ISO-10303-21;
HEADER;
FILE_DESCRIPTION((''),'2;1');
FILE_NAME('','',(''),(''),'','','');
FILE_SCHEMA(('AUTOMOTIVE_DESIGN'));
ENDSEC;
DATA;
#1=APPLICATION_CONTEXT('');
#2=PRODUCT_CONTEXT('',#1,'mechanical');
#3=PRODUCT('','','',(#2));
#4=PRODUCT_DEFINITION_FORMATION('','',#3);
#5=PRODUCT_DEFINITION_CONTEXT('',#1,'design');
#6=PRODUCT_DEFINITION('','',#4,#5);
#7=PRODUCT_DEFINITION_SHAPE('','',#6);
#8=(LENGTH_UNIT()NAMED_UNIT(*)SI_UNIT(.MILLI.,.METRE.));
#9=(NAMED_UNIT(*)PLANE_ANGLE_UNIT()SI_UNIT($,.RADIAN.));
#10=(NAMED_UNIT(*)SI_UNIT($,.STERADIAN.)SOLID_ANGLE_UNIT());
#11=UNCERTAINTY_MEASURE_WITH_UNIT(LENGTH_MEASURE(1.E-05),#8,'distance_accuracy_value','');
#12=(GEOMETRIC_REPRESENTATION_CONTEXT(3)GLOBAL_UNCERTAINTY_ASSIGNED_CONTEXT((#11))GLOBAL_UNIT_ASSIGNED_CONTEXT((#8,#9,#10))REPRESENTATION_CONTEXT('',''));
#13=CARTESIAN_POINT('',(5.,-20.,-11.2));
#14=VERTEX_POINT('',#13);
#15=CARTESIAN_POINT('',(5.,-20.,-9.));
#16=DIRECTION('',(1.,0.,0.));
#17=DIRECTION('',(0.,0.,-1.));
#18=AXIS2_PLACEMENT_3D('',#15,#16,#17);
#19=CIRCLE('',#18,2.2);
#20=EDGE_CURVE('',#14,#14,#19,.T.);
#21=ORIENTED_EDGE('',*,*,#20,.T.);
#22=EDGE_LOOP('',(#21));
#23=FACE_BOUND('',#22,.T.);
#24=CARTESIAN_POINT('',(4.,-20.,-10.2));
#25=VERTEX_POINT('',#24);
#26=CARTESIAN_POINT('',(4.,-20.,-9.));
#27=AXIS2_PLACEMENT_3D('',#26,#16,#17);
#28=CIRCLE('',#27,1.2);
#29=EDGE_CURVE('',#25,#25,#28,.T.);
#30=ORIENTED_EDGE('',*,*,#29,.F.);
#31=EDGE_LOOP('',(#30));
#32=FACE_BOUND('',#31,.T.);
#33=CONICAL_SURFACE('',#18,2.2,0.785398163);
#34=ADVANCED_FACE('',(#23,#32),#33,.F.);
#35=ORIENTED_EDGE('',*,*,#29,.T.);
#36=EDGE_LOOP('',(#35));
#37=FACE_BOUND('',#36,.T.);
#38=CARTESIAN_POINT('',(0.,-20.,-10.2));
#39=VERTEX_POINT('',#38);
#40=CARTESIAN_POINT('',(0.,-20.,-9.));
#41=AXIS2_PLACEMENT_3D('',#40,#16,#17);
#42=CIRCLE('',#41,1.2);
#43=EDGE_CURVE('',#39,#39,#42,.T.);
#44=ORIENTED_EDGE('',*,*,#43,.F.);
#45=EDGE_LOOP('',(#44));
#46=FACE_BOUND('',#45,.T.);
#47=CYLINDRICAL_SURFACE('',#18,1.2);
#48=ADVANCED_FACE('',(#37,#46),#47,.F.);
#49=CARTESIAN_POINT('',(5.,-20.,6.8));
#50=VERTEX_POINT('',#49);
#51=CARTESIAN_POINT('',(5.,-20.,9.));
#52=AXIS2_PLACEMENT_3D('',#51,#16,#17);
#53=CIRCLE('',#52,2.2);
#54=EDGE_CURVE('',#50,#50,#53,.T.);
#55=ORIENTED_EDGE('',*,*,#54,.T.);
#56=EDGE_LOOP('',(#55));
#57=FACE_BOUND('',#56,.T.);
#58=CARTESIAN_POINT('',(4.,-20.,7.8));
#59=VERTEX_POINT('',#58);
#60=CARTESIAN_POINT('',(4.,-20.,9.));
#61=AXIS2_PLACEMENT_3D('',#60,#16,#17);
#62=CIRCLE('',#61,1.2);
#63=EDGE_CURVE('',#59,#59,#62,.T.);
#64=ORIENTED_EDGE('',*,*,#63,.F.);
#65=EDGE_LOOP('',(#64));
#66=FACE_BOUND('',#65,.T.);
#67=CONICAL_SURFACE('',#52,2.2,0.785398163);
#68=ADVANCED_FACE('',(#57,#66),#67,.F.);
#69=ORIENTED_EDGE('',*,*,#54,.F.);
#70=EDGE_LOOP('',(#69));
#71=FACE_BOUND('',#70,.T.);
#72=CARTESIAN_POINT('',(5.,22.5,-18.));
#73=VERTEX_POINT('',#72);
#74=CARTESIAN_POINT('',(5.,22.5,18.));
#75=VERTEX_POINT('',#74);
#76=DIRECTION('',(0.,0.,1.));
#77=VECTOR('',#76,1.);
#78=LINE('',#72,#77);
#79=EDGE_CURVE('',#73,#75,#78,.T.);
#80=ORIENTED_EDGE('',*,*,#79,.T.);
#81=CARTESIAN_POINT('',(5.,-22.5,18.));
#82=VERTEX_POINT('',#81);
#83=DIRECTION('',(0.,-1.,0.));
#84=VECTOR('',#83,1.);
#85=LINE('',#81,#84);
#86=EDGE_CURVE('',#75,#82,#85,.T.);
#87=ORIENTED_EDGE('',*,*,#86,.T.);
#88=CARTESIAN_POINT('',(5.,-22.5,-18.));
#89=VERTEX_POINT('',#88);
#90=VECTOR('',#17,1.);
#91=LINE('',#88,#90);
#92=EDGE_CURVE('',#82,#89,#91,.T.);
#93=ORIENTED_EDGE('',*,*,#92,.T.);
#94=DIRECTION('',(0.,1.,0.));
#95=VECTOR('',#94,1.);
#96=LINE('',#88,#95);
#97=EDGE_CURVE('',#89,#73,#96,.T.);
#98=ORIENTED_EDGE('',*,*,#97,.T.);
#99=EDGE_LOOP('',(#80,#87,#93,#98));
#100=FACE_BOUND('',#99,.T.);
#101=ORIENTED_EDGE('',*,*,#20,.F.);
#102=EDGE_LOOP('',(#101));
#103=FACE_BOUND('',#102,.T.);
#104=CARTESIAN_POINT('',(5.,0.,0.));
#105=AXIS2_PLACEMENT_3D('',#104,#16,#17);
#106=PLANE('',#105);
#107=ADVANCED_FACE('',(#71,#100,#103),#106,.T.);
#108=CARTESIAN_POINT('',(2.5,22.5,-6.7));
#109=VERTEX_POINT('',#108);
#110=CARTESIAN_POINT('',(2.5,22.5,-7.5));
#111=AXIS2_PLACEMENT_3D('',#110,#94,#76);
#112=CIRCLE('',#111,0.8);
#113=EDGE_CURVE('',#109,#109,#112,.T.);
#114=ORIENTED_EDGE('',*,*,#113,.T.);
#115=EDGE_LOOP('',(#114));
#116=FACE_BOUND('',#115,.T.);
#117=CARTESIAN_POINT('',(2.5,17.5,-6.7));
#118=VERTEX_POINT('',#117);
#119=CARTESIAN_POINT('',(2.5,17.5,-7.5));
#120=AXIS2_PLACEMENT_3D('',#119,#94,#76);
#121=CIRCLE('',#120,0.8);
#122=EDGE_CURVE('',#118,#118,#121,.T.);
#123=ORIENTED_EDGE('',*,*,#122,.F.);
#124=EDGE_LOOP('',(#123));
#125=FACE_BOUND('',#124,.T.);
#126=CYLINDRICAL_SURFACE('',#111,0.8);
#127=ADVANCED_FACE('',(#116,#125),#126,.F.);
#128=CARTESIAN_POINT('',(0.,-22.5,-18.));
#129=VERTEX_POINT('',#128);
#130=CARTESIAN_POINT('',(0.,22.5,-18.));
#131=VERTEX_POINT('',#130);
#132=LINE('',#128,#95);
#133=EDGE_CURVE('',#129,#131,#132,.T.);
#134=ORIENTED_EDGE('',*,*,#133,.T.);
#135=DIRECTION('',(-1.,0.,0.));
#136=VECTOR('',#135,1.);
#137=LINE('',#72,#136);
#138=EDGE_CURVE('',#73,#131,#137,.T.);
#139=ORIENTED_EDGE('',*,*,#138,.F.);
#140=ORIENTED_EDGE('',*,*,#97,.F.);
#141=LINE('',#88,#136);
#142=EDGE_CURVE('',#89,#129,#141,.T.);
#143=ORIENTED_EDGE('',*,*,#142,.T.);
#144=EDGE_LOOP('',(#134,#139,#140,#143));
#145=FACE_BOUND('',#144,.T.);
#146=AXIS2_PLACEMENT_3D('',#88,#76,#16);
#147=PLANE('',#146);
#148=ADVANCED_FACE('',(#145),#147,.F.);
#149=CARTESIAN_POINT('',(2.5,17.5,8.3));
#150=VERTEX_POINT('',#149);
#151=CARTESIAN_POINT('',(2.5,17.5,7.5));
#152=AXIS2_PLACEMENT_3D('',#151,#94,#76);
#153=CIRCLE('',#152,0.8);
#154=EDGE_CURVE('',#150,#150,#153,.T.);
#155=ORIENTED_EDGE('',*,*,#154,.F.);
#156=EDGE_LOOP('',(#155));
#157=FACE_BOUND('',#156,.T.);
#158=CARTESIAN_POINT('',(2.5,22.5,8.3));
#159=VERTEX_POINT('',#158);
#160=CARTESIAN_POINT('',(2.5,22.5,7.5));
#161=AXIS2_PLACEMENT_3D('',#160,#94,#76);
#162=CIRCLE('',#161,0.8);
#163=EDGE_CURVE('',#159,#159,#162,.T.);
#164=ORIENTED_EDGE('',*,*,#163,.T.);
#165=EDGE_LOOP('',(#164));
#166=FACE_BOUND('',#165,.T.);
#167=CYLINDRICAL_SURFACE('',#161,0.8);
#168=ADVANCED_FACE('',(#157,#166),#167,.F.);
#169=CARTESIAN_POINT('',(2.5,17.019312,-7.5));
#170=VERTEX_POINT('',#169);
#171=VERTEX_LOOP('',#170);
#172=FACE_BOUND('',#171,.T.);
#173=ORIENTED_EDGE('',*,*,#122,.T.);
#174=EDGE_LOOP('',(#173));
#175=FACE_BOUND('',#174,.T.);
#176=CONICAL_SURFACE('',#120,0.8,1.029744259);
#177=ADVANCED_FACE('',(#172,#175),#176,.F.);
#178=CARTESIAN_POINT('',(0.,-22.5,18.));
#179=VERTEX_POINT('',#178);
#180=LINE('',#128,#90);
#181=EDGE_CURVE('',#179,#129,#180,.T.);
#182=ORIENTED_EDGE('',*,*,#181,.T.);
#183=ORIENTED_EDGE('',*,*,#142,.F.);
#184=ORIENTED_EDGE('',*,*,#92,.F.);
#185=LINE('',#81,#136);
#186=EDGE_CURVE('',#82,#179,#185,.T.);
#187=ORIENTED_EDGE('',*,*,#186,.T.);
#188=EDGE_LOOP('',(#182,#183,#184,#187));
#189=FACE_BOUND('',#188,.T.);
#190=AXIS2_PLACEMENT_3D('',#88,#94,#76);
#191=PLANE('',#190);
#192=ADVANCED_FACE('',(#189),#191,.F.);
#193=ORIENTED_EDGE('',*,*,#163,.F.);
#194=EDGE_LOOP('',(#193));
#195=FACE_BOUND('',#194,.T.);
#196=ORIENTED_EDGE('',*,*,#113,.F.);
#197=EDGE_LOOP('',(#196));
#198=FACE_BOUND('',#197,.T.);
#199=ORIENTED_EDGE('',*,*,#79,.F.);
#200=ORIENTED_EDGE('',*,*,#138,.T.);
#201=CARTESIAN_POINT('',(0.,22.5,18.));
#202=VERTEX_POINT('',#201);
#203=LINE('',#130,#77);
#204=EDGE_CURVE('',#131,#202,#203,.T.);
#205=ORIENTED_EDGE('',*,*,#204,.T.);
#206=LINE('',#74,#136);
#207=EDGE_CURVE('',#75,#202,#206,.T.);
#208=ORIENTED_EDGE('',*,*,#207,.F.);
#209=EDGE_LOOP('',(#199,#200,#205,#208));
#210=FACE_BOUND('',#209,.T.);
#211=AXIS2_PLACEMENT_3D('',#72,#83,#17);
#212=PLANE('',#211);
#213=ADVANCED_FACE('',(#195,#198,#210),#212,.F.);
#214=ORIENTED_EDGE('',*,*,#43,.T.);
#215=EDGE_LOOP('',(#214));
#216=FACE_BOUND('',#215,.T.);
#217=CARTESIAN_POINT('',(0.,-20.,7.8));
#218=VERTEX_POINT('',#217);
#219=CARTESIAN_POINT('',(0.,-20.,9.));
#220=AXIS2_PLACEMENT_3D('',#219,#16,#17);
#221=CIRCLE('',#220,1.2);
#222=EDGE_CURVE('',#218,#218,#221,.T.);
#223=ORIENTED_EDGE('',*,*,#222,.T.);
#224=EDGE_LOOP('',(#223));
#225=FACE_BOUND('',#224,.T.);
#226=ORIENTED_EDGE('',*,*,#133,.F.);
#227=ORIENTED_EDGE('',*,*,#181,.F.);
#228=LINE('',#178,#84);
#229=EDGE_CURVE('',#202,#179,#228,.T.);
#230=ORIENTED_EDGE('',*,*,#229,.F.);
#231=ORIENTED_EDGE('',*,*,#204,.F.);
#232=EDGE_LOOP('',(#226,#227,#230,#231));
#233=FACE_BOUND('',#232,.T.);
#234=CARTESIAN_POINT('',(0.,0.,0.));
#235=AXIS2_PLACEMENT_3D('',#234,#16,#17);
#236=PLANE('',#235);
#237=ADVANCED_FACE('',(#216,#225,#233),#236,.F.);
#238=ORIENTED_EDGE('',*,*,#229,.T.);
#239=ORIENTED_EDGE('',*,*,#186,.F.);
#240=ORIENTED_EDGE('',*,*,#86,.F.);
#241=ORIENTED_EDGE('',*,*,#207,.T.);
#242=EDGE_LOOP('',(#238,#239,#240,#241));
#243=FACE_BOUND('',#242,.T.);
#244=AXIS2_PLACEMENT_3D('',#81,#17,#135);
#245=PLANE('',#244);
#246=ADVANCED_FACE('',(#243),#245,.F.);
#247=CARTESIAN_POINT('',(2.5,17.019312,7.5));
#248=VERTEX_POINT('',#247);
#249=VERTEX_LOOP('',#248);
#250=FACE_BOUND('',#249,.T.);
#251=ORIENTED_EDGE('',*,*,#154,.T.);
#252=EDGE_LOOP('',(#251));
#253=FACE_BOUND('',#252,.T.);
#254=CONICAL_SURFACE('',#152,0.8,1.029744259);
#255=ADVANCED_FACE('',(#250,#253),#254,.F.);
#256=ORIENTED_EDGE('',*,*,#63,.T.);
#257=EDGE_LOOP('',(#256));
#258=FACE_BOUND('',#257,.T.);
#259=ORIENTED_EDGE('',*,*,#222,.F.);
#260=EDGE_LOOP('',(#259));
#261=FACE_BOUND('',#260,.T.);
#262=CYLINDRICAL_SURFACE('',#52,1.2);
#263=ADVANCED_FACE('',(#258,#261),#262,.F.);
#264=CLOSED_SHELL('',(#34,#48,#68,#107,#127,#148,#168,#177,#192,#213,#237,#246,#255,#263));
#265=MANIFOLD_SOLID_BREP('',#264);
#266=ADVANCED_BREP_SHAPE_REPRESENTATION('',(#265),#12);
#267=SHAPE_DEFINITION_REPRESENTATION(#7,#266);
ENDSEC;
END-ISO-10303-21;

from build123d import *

# Parameters (mm, degrees)
SKETCH1_W                                           = 36
SKETCH1_H                                           = 45
BOSS_EXTRUDE1_DEPTH                                 = 5
M2_TAPPED_HOLE1_D                                   = 1.6
M2_TAPPED_HOLE1_DEPTH                               = 5
M2_TAPPED_HOLE1_TIP                                 = 0.480688495
CSK_FOR_M2_COUNTERSUNK_FLAT_HEAD_SCREW1_D           = 2.4
CSK_FOR_M2_COUNTERSUNK_FLAT_HEAD_SCREW1_CSINK_D     = 4.4
CSK_FOR_M2_COUNTERSUNK_FLAT_HEAD_SCREW1_CSINK_ANGLE = 90


with BuildPart() as part:
    # Sketch1 → Boss-Extrude1 (new body)
    with BuildSketch(Plane(origin=(0, 0, 0), x_dir=(0, 0, -1), z_dir=(1, 0, 0))):
        Rectangle(SKETCH1_W, SKETCH1_H)
    extrude(amount=BOSS_EXTRUDE1_DEPTH)

    # M2 Tapped Hole1
    with Locations(Plane(origin=(0, 22.5, 0), x_dir=(1, 0, 0), z_dir=(0, 1, 0))):
        with Locations((2.5, 7.5), (2.5, -7.5)):
            Hole(M2_TAPPED_HOLE1_D / 2, depth=M2_TAPPED_HOLE1_DEPTH)
            with Locations((0, 0, -(M2_TAPPED_HOLE1_DEPTH + M2_TAPPED_HOLE1_TIP / 2))):  # 118° drill point
                Cone(0, M2_TAPPED_HOLE1_D / 2, M2_TAPPED_HOLE1_TIP, mode=Mode.SUBTRACT)

    # CSK for M2 Countersunk Flat Head Screw1 (through all)
    with Locations(Plane(origin=(5, 0, 0), x_dir=(0, 0, -1), z_dir=(1, 0, 0))):
        with Locations((-9, -20), (9, -20)):
            CounterSinkHole(CSK_FOR_M2_COUNTERSUNK_FLAT_HEAD_SCREW1_D / 2, CSK_FOR_M2_COUNTERSUNK_FLAT_HEAD_SCREW1_CSINK_D / 2, counter_sink_angle=CSK_FOR_M2_COUNTERSUNK_FLAT_HEAD_SCREW1_CSINK_ANGLE)


solid = part.part
